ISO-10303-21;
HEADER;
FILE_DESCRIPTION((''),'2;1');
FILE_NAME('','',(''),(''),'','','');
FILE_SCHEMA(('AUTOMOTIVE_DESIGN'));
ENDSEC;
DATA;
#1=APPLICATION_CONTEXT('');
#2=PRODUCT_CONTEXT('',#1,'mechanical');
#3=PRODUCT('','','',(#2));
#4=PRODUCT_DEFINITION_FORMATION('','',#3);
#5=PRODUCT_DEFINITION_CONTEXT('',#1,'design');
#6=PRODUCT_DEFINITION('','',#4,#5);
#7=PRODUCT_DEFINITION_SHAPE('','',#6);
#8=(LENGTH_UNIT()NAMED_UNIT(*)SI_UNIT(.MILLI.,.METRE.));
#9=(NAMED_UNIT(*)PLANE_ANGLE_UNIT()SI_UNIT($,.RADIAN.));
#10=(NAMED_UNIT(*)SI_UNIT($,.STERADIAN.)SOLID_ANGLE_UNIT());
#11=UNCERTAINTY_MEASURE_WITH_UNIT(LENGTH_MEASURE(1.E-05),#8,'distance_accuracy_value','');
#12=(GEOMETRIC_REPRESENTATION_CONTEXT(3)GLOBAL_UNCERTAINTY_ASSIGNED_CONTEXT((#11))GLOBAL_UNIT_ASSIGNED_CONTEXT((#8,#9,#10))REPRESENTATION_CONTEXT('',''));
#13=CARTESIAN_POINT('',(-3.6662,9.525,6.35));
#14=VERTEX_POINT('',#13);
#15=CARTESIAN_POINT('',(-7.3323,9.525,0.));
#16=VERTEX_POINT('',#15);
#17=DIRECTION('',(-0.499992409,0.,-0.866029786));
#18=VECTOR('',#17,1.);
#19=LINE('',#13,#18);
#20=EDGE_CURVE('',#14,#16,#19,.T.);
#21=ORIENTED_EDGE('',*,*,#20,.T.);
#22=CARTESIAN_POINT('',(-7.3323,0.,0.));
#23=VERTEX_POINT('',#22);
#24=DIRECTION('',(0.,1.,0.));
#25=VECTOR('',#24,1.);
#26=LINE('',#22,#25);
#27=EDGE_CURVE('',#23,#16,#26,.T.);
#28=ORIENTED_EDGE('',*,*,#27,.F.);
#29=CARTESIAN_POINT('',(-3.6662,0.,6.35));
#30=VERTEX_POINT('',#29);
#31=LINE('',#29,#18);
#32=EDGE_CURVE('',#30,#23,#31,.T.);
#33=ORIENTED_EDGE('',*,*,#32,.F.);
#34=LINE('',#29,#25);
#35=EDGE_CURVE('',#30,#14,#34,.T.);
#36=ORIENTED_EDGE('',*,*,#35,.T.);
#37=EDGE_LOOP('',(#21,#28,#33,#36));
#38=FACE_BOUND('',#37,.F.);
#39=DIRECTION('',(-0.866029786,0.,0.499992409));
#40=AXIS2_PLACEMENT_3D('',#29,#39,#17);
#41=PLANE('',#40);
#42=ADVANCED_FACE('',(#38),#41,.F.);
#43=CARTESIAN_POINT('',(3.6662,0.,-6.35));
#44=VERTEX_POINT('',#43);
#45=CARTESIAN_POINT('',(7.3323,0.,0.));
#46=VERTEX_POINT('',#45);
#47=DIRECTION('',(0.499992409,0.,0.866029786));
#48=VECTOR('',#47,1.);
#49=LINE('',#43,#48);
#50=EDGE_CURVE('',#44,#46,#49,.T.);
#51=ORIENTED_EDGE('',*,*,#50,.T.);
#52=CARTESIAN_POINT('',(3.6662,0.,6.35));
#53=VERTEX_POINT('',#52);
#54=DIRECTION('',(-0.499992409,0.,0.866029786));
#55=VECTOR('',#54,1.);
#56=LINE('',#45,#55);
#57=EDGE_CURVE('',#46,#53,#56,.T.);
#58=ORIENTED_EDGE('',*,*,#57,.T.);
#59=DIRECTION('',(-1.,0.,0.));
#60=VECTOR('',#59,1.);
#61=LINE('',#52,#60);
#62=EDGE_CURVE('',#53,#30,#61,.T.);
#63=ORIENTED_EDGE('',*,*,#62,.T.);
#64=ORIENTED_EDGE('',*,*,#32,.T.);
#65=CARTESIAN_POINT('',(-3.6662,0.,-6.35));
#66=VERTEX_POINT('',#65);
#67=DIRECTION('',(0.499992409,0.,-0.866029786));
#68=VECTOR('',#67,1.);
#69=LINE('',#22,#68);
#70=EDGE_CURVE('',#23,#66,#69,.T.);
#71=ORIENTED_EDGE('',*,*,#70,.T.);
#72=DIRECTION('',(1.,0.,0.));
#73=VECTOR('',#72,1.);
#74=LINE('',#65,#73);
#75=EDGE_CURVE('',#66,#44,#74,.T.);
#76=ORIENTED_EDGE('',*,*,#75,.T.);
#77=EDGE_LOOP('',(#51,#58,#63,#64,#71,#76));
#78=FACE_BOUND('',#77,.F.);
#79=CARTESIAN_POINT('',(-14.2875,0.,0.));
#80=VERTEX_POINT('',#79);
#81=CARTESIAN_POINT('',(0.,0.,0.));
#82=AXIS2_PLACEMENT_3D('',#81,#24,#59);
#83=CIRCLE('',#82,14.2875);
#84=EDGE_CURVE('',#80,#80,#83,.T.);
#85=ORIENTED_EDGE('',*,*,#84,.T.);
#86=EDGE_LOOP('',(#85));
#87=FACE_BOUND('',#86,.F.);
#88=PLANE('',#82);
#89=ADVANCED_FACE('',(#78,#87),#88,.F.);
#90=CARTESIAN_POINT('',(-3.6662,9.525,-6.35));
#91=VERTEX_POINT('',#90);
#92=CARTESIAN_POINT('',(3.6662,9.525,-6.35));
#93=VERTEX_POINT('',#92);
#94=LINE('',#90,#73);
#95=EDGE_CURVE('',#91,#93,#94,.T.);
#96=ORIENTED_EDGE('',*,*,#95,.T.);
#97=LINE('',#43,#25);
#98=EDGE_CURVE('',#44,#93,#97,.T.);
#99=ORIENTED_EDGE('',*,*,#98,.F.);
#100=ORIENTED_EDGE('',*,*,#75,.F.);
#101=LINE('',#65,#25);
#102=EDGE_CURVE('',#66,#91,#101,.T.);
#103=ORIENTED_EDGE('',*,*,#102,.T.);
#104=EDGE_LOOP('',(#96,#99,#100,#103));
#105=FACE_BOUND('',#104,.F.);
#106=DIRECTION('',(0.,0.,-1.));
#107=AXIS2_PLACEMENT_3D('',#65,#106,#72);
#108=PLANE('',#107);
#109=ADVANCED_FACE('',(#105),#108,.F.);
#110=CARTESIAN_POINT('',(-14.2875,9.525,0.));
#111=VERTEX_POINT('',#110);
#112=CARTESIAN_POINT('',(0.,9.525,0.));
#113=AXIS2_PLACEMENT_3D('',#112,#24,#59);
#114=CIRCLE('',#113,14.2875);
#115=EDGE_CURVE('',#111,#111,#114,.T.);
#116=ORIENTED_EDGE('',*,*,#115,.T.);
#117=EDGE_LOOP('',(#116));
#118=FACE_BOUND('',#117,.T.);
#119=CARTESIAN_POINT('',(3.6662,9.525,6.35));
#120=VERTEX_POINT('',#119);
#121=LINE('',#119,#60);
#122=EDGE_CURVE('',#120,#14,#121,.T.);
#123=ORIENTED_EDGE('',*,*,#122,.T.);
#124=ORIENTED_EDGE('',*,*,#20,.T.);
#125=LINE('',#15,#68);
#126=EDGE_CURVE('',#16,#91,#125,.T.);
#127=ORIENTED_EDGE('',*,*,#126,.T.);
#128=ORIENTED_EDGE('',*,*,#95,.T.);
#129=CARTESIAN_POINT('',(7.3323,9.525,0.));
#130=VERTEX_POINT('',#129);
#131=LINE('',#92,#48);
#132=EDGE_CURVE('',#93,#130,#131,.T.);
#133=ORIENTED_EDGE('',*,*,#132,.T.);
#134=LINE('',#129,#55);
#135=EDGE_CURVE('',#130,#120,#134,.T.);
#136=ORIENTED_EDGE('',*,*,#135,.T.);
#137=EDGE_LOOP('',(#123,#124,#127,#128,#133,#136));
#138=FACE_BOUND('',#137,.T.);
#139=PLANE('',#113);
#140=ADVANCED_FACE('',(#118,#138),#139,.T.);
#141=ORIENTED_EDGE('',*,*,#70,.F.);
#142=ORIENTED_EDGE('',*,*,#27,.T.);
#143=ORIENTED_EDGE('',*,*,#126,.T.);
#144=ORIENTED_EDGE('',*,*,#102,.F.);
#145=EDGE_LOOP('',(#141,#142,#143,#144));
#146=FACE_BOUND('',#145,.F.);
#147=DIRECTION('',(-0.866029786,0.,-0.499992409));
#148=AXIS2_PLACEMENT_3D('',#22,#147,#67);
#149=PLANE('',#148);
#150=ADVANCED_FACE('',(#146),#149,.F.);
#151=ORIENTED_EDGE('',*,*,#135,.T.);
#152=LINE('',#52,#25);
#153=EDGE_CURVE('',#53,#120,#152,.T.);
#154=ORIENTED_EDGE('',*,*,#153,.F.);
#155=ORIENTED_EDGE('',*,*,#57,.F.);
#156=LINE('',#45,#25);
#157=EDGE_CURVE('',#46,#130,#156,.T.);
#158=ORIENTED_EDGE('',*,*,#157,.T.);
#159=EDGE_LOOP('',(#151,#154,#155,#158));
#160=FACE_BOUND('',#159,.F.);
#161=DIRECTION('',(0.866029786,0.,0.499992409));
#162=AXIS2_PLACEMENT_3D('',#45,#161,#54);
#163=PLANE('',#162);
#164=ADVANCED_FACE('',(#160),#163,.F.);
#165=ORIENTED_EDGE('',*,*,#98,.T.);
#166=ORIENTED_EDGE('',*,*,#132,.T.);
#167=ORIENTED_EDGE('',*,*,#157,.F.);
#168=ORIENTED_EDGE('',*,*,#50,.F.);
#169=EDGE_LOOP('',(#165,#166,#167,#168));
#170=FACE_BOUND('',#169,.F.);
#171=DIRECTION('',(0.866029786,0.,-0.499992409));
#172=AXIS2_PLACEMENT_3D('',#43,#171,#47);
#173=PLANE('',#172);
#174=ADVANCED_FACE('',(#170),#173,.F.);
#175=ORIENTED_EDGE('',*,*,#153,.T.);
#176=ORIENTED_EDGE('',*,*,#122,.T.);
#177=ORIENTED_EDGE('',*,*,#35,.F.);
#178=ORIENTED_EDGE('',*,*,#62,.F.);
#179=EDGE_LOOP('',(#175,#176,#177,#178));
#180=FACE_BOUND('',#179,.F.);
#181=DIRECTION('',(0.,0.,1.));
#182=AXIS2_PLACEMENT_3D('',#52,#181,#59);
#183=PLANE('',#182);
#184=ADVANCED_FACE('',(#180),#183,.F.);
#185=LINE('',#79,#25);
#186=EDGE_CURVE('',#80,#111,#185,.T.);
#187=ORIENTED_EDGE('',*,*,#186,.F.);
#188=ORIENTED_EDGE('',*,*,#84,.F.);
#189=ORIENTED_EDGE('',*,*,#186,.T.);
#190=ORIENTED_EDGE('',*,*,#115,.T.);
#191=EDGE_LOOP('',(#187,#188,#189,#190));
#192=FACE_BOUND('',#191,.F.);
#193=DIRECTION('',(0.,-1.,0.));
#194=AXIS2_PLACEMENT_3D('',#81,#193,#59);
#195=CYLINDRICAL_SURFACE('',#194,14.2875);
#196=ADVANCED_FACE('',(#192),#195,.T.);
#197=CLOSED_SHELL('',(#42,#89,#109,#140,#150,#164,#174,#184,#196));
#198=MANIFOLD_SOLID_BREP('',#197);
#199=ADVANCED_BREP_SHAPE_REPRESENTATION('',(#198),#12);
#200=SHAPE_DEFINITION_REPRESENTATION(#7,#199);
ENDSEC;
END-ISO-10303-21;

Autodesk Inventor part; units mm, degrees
ref_plane "YZ Plane" through (0, 0, 0) normal (1, 0, 0) x (0, 1, 0)
ref_plane "XZ Plane" through (0, 0, 0) normal (0, 1, 0) x (-1, 0, 0)
ref_plane "XY Plane" through (0, 0, 0) normal (0, 0, 1) x (1, 0, 0)
sketch "Sketch1" plane through (0, 0, 0) normal (0, 1, 0) x (-1, 0, 0)
  circle A0 centre (0, 0) radius 14.2875
  line L0 (3.6662, 6.35) -> (7.3323, 0)
  line L1 (7.3323, 0) -> (3.6662, -6.35)
  line L2 (3.6662, -6.35) -> (-3.6662, -6.35)
  line L3 (-3.6662, -6.35) -> (-7.3323, 0)
  line L4 (-7.3323, 0) -> (-3.6662, 6.35)
  line L5 (-3.6662, 6.35) -> (3.6662, 6.35)
  dimension "d0" = 28.575
  dimension "d1" = 12.7
extrude "Extrusion1" add sketch "Sketch1" along normal blind 9.525
properties part number "shaft collar -hex" material "Aluminum 6061"
